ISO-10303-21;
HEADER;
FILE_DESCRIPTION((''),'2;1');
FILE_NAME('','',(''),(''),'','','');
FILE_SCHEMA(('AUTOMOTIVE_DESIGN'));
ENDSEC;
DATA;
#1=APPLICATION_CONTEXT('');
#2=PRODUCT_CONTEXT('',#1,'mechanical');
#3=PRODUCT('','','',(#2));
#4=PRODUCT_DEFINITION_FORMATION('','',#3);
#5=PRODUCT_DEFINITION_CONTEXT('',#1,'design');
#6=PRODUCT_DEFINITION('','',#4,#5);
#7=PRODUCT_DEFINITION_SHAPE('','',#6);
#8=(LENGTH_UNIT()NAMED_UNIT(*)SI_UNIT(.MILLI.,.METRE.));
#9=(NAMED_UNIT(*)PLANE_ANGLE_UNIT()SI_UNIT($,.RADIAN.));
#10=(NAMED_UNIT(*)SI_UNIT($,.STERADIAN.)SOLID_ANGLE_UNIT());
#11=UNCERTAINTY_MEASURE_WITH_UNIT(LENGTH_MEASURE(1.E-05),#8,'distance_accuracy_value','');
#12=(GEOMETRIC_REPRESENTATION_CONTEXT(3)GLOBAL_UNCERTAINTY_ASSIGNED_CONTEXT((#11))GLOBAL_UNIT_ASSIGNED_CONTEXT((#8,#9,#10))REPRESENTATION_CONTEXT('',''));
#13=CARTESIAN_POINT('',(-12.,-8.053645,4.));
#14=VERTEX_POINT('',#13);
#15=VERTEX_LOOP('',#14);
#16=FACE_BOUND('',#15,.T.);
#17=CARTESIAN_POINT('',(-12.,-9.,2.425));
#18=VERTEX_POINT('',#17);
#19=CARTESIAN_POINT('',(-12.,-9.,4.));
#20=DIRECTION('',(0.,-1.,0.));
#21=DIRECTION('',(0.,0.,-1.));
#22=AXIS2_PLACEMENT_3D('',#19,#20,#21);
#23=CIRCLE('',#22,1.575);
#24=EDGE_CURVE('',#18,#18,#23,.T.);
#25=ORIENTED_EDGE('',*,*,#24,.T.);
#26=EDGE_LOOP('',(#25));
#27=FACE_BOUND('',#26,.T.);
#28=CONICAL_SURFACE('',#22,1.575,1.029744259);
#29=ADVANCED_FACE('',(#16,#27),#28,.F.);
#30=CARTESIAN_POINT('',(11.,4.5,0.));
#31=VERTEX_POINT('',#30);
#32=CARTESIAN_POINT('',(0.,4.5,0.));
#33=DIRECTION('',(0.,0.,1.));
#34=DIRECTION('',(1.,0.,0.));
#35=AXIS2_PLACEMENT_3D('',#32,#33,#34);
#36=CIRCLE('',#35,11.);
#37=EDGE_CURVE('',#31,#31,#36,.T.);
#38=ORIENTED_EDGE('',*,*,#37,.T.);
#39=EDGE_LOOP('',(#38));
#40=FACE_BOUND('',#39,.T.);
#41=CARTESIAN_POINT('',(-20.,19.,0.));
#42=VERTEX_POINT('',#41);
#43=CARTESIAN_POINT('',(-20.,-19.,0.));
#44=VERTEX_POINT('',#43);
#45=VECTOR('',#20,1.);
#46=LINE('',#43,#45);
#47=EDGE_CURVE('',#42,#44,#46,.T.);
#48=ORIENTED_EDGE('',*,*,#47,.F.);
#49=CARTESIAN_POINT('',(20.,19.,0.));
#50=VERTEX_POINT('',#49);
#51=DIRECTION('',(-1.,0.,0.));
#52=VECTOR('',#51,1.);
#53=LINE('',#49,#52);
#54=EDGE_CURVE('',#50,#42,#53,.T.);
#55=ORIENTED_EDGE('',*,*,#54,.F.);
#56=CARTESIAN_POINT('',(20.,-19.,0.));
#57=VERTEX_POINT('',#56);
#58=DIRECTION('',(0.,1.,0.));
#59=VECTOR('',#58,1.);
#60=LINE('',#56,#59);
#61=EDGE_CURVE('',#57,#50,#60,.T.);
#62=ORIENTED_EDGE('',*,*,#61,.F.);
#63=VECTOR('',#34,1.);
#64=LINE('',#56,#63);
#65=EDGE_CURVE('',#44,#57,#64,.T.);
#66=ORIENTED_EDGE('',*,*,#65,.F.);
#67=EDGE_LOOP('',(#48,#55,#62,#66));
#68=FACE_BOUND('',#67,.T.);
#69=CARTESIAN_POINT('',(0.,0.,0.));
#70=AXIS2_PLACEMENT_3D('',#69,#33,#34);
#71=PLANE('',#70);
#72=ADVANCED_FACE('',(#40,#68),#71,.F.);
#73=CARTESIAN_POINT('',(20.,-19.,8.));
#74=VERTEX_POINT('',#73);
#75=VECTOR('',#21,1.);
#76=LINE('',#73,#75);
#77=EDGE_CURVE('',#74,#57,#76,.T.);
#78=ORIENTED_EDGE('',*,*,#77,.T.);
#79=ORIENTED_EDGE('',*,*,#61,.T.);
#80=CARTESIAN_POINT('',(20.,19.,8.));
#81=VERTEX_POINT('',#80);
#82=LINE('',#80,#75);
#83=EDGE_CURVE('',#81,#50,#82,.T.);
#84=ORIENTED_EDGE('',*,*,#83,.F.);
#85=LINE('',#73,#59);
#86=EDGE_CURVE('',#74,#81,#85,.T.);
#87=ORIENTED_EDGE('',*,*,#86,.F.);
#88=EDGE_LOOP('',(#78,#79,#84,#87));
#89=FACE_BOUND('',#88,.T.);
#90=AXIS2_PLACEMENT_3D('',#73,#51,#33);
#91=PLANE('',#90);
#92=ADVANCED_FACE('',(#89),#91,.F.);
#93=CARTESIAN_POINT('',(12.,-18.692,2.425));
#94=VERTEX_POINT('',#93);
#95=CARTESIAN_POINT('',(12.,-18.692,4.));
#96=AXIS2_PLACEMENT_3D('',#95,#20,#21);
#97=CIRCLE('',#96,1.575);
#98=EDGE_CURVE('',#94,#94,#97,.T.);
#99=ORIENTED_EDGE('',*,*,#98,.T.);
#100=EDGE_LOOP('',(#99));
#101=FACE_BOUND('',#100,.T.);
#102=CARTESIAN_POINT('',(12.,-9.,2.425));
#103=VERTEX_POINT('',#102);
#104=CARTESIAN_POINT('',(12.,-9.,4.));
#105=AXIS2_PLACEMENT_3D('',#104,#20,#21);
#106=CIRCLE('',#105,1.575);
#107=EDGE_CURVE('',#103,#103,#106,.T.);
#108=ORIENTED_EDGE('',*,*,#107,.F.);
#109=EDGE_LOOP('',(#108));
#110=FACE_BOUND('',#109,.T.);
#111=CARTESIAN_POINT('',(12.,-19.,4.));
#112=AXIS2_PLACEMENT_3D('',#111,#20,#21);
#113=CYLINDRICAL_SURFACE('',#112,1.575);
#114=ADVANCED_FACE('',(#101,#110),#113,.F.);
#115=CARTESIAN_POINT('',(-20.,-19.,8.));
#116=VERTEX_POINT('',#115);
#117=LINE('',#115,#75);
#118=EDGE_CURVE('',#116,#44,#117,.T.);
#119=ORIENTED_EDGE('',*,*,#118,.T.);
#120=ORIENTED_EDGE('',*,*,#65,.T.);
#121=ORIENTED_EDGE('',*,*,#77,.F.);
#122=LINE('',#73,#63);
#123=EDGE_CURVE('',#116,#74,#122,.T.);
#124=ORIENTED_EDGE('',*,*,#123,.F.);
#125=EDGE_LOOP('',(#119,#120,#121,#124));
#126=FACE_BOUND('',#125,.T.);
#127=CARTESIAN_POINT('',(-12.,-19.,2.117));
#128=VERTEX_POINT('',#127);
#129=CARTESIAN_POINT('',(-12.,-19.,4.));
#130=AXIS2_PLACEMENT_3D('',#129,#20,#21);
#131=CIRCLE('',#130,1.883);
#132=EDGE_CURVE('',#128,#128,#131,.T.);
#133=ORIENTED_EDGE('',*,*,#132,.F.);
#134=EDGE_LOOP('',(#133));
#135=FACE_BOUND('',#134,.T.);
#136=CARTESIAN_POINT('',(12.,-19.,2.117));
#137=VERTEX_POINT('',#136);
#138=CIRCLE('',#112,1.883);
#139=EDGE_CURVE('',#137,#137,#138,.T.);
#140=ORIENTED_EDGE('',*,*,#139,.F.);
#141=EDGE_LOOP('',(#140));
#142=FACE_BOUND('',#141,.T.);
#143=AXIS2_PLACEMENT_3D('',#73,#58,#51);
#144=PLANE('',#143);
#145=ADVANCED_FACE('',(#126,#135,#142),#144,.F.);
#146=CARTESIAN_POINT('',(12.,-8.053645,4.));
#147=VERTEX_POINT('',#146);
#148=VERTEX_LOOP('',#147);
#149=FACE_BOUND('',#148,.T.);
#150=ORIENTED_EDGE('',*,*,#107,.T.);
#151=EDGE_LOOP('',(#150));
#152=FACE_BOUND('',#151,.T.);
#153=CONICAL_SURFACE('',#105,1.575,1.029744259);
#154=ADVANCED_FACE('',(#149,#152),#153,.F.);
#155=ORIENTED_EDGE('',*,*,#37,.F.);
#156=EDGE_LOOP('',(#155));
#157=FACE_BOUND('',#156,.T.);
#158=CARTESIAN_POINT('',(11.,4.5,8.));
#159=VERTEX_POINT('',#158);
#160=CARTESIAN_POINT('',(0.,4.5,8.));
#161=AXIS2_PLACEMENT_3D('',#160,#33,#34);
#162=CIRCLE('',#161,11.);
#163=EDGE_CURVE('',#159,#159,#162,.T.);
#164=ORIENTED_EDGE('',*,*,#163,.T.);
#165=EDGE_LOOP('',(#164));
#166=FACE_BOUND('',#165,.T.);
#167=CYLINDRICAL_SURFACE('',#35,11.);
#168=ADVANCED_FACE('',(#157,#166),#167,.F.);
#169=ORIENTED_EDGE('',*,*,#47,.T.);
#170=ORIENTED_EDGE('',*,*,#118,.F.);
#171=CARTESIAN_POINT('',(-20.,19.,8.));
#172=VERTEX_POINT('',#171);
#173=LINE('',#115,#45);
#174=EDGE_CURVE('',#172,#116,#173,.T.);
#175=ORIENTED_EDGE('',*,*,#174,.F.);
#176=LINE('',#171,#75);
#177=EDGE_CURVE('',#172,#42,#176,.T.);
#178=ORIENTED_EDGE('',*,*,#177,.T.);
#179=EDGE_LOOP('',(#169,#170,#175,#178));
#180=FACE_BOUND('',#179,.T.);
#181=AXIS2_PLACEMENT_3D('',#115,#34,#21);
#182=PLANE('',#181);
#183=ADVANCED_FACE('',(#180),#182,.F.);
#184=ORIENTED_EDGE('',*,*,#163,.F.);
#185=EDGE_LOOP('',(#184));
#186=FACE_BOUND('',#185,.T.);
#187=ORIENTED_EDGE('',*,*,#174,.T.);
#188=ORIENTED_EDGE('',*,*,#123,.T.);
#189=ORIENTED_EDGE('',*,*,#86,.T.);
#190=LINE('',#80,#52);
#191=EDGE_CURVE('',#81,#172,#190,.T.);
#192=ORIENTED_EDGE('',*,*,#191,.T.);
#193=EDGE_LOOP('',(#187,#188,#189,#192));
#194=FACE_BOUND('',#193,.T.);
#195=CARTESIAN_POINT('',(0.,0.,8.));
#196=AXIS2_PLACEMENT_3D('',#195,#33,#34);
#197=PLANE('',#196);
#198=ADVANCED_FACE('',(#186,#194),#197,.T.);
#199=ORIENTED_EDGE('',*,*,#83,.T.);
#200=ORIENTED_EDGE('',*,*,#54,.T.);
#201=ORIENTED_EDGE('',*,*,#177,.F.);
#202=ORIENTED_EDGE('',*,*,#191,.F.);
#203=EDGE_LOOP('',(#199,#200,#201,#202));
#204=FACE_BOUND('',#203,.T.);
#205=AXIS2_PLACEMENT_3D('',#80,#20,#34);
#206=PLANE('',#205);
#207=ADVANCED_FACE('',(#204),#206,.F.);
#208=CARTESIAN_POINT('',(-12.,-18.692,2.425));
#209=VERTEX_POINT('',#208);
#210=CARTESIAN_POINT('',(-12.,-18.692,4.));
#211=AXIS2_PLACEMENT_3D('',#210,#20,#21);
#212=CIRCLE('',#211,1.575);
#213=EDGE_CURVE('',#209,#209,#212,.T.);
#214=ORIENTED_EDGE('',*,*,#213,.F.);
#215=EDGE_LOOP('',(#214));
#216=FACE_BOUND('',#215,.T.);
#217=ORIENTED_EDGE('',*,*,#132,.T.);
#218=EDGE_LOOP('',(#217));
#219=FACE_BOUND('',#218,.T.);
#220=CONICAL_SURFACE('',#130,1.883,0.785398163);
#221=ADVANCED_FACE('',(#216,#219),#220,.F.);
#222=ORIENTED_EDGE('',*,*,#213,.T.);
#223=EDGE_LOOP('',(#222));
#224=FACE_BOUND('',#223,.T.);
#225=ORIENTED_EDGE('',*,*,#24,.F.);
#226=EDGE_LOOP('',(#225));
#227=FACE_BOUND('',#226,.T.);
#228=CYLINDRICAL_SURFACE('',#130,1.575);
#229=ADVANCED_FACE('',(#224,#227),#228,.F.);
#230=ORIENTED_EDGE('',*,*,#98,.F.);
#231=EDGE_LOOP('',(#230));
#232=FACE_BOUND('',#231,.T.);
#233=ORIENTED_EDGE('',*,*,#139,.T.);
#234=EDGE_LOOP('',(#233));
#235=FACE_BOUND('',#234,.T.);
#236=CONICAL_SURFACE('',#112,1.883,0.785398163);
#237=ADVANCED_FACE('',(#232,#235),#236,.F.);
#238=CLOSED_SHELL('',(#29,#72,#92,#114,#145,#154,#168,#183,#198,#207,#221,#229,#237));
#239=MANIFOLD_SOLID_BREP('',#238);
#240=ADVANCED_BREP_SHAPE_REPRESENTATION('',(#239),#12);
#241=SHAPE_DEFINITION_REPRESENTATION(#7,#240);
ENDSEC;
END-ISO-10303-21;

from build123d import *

# Parameters (mm, degrees)
ESBO_O1_W                                         = 40
ESBO_O1_H                                         = 38
RESSALTO_EXTRUS_O1_DEPTH                          = 8
ESBO_O2_R                                         = 11
CORTE_EXTRUS_O1_DEPTH                             = 9
FURO_ROSCADO_PARA_CONDU_TE_DE_M3X0_51_D           = 3.15
FURO_ROSCADO_PARA_CONDU_TE_DE_M3X0_51_DEPTH       = 10
FURO_ROSCADO_PARA_CONDU_TE_DE_M3X0_51_CSINK_D     = 3.766
FURO_ROSCADO_PARA_CONDU_TE_DE_M3X0_51_CSINK_ANGLE = 90
FURO_ROSCADO_PARA_CONDU_TE_DE_M3X0_51_TIP         = 0.946355475


with BuildPart() as part:
    # Esboço1 → Ressalto-extrusão1 (new body)
    with BuildSketch(Plane.XY):
        Rectangle(ESBO_O1_W, ESBO_O1_H)
    extrude(amount=RESSALTO_EXTRUS_O1_DEPTH)

    # Esboço2 → Corte-extrusão1 (cut, through all)
    with BuildSketch(Plane.XY.offset(8)):
        with Locations((0, 4.5)):
            Circle(ESBO_O2_R)
    extrude(amount=-CORTE_EXTRUS_O1_DEPTH, mode=Mode.SUBTRACT)

    # Furo roscado para conduíte de M3x0.51
    with Locations(Plane(origin=(0, -19, 0), x_dir=(-1, 0, 0), z_dir=(0, -1, 0))):
        with Locations((-12, -4), (12, -4)):
            CounterSinkHole(FURO_ROSCADO_PARA_CONDU_TE_DE_M3X0_51_D / 2, FURO_ROSCADO_PARA_CONDU_TE_DE_M3X0_51_CSINK_D / 2, depth=FURO_ROSCADO_PARA_CONDU_TE_DE_M3X0_51_DEPTH, counter_sink_angle=FURO_ROSCADO_PARA_CONDU_TE_DE_M3X0_51_CSINK_ANGLE)
            with Locations((0, 0, -(FURO_ROSCADO_PARA_CONDU_TE_DE_M3X0_51_DEPTH + FURO_ROSCADO_PARA_CONDU_TE_DE_M3X0_51_TIP / 2))):  # 118° drill point
                Cone(0, FURO_ROSCADO_PARA_CONDU_TE_DE_M3X0_51_D / 2, FURO_ROSCADO_PARA_CONDU_TE_DE_M3X0_51_TIP, mode=Mode.SUBTRACT)


solid = part.part
